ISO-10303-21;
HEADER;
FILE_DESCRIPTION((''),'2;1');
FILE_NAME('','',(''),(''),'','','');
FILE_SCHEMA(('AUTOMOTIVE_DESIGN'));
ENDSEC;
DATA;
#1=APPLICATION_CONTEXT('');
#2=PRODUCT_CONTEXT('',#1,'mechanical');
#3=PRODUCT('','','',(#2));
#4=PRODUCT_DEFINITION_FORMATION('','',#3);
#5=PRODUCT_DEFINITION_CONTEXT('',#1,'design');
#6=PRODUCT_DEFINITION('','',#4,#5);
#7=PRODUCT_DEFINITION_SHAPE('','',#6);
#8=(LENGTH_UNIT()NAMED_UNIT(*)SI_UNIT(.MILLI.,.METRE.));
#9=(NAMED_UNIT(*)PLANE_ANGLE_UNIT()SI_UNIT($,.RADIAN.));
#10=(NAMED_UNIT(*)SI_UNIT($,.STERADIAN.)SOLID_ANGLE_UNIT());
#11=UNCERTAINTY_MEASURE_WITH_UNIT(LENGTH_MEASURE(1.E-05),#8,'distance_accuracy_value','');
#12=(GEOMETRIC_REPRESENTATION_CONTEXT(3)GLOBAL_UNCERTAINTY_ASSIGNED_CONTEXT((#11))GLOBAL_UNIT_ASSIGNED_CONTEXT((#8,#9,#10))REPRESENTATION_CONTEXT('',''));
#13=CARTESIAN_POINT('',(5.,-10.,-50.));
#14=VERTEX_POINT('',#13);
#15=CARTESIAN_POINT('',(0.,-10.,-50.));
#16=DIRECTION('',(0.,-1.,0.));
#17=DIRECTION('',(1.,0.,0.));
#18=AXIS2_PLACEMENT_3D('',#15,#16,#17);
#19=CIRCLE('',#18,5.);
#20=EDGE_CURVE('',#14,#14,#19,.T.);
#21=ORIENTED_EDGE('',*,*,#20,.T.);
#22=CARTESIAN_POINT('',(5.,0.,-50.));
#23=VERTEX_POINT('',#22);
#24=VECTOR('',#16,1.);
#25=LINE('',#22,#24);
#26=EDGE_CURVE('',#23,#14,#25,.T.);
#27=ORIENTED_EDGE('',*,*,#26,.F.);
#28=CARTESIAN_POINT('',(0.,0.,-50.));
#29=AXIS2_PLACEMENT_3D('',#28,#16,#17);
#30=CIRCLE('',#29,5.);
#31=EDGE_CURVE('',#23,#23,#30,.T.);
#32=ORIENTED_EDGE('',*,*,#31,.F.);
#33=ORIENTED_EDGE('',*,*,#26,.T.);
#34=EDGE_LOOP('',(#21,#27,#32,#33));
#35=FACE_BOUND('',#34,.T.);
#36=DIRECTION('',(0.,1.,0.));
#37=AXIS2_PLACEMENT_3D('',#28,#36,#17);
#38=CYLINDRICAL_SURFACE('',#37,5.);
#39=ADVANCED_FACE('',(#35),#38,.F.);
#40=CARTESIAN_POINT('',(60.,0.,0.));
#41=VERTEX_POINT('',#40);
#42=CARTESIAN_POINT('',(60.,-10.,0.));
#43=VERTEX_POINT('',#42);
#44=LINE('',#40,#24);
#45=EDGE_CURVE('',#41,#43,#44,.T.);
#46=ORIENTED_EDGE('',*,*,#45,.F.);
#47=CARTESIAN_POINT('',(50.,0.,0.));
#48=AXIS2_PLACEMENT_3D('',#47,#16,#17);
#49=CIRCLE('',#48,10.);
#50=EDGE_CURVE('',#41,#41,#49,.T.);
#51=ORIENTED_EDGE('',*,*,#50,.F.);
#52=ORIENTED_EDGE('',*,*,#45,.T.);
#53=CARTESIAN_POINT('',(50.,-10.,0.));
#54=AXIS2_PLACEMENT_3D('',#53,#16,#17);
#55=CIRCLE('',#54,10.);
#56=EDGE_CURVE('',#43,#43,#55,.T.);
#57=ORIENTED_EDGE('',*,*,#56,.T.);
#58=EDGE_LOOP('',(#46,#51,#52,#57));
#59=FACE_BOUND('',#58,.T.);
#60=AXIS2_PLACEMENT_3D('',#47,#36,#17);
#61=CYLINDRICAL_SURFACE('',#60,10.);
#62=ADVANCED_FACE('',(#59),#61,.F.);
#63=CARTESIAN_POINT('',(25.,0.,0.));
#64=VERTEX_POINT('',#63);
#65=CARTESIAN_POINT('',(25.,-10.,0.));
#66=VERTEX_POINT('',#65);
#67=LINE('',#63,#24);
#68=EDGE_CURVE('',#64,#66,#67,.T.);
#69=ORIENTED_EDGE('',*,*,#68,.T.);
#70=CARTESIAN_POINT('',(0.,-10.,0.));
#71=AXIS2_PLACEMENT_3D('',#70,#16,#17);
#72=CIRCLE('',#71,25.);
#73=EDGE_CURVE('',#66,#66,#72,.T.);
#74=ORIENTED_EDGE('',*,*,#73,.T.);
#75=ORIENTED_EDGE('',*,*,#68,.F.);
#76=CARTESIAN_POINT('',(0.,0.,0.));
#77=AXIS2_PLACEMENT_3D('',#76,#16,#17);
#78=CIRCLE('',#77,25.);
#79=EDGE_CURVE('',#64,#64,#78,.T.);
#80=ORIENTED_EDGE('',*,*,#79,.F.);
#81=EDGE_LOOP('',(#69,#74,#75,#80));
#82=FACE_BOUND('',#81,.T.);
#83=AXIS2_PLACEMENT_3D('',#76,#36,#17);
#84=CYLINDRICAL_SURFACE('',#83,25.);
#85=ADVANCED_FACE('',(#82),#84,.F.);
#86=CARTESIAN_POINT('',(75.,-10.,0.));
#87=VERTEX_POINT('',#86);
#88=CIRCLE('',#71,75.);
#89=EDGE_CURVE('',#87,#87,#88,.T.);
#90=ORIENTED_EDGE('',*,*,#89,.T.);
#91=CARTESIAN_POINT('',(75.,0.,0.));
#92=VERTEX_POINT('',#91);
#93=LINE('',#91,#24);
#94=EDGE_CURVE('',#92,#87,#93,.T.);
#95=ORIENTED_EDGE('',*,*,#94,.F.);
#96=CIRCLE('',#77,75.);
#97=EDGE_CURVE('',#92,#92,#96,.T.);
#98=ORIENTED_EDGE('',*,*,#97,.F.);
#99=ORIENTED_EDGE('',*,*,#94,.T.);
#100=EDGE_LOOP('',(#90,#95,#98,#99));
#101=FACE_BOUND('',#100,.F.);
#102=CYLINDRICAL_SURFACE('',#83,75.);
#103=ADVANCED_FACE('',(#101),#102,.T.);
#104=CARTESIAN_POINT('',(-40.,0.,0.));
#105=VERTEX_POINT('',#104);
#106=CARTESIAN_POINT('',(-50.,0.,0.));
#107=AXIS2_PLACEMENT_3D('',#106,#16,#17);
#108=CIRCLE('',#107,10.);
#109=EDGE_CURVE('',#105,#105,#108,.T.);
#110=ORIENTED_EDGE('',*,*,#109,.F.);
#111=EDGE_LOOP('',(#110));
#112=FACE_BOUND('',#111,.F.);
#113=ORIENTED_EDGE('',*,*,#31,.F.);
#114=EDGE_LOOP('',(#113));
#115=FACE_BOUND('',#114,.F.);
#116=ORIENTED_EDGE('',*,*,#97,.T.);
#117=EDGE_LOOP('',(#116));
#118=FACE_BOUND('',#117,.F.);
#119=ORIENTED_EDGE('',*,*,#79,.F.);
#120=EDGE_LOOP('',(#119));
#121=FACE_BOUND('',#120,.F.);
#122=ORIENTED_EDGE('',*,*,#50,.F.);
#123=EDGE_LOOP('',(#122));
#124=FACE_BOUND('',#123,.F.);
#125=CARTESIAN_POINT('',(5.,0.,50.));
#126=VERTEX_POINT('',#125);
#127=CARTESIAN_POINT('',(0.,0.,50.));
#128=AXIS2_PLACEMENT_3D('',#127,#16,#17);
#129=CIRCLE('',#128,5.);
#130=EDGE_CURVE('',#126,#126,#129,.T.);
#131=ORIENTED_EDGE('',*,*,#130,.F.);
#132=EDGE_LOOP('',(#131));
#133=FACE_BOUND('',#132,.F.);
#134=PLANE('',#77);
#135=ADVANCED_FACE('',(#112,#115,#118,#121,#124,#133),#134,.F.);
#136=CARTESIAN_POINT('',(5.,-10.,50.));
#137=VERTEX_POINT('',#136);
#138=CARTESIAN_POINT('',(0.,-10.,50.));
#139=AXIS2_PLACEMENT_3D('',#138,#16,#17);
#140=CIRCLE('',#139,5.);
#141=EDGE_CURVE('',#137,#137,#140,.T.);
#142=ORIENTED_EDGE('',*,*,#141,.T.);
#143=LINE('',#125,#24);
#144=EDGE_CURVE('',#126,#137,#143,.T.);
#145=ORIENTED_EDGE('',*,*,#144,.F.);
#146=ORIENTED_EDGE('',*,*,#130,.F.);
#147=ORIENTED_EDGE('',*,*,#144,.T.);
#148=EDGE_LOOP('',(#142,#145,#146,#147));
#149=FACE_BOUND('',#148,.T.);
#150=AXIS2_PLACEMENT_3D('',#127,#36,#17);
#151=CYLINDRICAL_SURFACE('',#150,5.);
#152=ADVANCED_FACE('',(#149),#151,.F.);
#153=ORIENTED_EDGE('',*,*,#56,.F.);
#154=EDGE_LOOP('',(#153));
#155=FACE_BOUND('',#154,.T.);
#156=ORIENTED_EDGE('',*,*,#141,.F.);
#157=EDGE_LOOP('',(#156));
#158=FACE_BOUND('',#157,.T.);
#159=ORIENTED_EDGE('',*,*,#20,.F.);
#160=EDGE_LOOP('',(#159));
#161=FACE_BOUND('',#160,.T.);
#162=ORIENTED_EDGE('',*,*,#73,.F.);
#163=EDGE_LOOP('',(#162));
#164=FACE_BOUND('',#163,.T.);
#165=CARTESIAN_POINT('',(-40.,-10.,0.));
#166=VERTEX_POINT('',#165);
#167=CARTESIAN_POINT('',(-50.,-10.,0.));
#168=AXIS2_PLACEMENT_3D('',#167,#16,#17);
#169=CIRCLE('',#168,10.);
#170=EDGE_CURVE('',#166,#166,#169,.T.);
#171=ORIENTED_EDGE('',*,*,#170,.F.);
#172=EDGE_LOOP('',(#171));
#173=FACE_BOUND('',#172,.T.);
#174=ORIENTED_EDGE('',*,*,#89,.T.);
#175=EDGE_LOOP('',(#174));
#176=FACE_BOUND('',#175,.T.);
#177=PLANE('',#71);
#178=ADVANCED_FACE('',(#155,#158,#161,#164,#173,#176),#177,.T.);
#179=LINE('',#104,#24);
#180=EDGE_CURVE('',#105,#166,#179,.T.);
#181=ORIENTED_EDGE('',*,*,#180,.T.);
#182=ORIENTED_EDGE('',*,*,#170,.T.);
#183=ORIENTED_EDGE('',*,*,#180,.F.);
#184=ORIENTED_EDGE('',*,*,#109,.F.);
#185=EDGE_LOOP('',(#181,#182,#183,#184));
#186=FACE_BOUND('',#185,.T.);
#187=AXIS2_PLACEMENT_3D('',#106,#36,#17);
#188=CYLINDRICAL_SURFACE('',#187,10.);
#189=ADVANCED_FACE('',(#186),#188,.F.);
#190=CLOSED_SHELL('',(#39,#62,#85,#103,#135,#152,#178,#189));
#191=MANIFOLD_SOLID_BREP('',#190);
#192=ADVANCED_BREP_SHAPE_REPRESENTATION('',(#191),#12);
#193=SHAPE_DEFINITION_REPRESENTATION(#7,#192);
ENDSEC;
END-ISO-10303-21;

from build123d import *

# Parameters (mm, degrees)
F0_R     = 75
F0_R_2   = 5
F0_R_3   = 10
F0_R_4   = 25
F1_DEPTH = 10


with BuildPart() as f1:
    # F0 (on Front) → F1 (new body)
    with BuildSketch(Plane.XZ):
        Circle(F0_R)
        with Locations((0, -50)):
            Circle(F0_R_2, mode=Mode.SUBTRACT)
        with Locations((-50, 0)):
            Circle(F0_R_3, mode=Mode.SUBTRACT)
        Circle(F0_R_4, mode=Mode.SUBTRACT)
        with Locations((50, 0)):
            Circle(F0_R_3, mode=Mode.SUBTRACT)
        with Locations((0, 50)):
            Circle(F0_R_2, mode=Mode.SUBTRACT)
    extrude(amount=F1_DEPTH)


solid = f1.part
